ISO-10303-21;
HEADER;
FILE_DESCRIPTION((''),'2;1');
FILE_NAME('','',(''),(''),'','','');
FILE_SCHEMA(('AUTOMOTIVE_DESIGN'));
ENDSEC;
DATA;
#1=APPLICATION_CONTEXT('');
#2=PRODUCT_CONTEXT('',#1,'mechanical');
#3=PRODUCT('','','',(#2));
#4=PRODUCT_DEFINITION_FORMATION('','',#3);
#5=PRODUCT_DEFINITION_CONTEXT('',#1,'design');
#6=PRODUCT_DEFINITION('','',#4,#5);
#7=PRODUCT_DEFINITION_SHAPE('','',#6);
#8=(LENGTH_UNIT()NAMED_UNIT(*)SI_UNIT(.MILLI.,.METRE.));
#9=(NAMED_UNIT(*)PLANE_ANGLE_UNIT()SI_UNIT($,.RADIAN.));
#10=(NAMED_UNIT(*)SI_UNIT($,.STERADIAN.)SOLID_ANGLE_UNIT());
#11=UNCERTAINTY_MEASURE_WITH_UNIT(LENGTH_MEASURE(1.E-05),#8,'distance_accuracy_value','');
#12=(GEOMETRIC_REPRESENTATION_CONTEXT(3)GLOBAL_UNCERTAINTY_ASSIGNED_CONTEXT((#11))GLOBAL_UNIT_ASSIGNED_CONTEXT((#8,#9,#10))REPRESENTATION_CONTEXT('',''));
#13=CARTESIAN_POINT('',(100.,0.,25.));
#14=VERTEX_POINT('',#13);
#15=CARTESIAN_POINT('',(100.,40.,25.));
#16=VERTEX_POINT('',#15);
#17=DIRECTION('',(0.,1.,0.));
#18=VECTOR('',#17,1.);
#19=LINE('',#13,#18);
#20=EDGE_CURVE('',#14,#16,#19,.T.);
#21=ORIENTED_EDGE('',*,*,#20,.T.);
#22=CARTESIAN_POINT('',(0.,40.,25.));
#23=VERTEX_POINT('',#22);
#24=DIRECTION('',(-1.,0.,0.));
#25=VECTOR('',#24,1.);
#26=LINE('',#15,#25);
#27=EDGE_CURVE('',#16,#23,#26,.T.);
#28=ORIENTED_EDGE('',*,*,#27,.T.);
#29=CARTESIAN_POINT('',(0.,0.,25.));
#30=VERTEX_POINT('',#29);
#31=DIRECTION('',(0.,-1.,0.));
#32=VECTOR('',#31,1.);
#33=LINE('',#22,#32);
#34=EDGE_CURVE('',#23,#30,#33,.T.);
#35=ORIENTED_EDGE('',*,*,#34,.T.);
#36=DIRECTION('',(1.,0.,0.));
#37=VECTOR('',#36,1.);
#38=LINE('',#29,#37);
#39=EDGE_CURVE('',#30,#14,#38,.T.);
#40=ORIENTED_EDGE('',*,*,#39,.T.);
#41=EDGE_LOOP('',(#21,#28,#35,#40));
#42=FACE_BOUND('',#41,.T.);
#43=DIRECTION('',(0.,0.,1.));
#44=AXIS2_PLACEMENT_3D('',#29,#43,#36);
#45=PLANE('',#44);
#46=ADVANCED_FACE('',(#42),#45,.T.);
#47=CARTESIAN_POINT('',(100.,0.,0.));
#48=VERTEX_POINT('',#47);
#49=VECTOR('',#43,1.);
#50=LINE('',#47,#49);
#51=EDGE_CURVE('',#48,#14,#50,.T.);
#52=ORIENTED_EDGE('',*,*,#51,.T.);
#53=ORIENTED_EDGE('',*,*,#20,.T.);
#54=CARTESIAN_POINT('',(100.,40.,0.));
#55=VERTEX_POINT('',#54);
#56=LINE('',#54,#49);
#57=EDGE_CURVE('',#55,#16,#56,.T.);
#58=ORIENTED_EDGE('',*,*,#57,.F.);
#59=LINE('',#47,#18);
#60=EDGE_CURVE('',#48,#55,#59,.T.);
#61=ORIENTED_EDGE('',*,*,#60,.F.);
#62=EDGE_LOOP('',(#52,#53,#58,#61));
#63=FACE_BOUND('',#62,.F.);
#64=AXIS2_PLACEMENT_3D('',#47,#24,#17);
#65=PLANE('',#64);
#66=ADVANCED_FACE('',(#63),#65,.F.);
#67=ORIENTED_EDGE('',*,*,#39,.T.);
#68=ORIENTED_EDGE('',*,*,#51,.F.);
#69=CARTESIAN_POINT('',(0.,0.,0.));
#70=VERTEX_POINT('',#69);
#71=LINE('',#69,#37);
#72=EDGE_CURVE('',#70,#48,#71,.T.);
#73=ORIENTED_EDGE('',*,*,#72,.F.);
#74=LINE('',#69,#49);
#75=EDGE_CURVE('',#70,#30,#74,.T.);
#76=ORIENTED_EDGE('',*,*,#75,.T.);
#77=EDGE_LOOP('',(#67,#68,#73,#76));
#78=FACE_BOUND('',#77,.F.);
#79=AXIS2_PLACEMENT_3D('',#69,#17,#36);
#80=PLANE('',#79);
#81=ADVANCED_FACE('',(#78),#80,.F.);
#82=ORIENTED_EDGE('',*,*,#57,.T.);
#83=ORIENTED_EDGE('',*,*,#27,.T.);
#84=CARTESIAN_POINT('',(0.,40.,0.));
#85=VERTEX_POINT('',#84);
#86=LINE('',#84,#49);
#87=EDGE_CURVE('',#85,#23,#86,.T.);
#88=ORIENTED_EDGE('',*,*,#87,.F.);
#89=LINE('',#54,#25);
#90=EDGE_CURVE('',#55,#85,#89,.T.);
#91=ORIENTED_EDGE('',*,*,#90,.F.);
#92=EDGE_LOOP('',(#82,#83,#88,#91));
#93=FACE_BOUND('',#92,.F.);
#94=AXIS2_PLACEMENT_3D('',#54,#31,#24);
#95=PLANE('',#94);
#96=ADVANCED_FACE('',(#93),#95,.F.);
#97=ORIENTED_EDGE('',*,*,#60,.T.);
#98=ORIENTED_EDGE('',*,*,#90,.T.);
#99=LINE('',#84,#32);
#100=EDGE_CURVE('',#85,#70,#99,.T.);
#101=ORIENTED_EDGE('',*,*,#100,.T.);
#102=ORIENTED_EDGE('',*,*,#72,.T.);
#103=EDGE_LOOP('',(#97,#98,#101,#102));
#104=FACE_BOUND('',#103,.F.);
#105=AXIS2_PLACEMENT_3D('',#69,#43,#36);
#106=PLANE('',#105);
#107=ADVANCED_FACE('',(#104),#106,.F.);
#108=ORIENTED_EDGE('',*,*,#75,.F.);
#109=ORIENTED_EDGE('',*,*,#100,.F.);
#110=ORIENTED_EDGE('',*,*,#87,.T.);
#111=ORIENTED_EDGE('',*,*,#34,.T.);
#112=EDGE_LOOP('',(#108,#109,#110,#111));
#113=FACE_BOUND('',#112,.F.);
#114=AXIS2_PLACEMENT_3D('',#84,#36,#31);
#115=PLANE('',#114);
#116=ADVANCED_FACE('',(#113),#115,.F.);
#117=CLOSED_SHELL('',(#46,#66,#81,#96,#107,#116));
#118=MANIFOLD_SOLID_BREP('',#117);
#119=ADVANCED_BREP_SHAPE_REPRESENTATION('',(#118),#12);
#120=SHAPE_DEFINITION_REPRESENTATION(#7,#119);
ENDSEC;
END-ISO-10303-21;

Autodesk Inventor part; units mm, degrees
ref_plane "YZ Plane" through (0, 0, 0) normal (1, 0, 0) x (0, 1, 0)
ref_plane "XZ Plane" through (0, 0, 0) normal (0, 1, 0) x (-1, 0, 0)
ref_plane "XY Plane" through (0, 0, 0) normal (0, 0, 1) x (1, 0, 0)
sketch "スケッチ1" plane through (0, 0, 0) normal (0, 0, 1) x (1, 0, 0)
  line L0 (0, 0) -> (100, 0)
  line L1 (100, 0) -> (100, 40)
  line L2 (100, 40) -> (0, 40)
  line L3 (0, 40) -> (0, 0)
  dimension "d0" = 100
  dimension "d1" = 40
extrude "押し出し1" add sketch "スケッチ1" along normal blind 25
properties part number "回路"
